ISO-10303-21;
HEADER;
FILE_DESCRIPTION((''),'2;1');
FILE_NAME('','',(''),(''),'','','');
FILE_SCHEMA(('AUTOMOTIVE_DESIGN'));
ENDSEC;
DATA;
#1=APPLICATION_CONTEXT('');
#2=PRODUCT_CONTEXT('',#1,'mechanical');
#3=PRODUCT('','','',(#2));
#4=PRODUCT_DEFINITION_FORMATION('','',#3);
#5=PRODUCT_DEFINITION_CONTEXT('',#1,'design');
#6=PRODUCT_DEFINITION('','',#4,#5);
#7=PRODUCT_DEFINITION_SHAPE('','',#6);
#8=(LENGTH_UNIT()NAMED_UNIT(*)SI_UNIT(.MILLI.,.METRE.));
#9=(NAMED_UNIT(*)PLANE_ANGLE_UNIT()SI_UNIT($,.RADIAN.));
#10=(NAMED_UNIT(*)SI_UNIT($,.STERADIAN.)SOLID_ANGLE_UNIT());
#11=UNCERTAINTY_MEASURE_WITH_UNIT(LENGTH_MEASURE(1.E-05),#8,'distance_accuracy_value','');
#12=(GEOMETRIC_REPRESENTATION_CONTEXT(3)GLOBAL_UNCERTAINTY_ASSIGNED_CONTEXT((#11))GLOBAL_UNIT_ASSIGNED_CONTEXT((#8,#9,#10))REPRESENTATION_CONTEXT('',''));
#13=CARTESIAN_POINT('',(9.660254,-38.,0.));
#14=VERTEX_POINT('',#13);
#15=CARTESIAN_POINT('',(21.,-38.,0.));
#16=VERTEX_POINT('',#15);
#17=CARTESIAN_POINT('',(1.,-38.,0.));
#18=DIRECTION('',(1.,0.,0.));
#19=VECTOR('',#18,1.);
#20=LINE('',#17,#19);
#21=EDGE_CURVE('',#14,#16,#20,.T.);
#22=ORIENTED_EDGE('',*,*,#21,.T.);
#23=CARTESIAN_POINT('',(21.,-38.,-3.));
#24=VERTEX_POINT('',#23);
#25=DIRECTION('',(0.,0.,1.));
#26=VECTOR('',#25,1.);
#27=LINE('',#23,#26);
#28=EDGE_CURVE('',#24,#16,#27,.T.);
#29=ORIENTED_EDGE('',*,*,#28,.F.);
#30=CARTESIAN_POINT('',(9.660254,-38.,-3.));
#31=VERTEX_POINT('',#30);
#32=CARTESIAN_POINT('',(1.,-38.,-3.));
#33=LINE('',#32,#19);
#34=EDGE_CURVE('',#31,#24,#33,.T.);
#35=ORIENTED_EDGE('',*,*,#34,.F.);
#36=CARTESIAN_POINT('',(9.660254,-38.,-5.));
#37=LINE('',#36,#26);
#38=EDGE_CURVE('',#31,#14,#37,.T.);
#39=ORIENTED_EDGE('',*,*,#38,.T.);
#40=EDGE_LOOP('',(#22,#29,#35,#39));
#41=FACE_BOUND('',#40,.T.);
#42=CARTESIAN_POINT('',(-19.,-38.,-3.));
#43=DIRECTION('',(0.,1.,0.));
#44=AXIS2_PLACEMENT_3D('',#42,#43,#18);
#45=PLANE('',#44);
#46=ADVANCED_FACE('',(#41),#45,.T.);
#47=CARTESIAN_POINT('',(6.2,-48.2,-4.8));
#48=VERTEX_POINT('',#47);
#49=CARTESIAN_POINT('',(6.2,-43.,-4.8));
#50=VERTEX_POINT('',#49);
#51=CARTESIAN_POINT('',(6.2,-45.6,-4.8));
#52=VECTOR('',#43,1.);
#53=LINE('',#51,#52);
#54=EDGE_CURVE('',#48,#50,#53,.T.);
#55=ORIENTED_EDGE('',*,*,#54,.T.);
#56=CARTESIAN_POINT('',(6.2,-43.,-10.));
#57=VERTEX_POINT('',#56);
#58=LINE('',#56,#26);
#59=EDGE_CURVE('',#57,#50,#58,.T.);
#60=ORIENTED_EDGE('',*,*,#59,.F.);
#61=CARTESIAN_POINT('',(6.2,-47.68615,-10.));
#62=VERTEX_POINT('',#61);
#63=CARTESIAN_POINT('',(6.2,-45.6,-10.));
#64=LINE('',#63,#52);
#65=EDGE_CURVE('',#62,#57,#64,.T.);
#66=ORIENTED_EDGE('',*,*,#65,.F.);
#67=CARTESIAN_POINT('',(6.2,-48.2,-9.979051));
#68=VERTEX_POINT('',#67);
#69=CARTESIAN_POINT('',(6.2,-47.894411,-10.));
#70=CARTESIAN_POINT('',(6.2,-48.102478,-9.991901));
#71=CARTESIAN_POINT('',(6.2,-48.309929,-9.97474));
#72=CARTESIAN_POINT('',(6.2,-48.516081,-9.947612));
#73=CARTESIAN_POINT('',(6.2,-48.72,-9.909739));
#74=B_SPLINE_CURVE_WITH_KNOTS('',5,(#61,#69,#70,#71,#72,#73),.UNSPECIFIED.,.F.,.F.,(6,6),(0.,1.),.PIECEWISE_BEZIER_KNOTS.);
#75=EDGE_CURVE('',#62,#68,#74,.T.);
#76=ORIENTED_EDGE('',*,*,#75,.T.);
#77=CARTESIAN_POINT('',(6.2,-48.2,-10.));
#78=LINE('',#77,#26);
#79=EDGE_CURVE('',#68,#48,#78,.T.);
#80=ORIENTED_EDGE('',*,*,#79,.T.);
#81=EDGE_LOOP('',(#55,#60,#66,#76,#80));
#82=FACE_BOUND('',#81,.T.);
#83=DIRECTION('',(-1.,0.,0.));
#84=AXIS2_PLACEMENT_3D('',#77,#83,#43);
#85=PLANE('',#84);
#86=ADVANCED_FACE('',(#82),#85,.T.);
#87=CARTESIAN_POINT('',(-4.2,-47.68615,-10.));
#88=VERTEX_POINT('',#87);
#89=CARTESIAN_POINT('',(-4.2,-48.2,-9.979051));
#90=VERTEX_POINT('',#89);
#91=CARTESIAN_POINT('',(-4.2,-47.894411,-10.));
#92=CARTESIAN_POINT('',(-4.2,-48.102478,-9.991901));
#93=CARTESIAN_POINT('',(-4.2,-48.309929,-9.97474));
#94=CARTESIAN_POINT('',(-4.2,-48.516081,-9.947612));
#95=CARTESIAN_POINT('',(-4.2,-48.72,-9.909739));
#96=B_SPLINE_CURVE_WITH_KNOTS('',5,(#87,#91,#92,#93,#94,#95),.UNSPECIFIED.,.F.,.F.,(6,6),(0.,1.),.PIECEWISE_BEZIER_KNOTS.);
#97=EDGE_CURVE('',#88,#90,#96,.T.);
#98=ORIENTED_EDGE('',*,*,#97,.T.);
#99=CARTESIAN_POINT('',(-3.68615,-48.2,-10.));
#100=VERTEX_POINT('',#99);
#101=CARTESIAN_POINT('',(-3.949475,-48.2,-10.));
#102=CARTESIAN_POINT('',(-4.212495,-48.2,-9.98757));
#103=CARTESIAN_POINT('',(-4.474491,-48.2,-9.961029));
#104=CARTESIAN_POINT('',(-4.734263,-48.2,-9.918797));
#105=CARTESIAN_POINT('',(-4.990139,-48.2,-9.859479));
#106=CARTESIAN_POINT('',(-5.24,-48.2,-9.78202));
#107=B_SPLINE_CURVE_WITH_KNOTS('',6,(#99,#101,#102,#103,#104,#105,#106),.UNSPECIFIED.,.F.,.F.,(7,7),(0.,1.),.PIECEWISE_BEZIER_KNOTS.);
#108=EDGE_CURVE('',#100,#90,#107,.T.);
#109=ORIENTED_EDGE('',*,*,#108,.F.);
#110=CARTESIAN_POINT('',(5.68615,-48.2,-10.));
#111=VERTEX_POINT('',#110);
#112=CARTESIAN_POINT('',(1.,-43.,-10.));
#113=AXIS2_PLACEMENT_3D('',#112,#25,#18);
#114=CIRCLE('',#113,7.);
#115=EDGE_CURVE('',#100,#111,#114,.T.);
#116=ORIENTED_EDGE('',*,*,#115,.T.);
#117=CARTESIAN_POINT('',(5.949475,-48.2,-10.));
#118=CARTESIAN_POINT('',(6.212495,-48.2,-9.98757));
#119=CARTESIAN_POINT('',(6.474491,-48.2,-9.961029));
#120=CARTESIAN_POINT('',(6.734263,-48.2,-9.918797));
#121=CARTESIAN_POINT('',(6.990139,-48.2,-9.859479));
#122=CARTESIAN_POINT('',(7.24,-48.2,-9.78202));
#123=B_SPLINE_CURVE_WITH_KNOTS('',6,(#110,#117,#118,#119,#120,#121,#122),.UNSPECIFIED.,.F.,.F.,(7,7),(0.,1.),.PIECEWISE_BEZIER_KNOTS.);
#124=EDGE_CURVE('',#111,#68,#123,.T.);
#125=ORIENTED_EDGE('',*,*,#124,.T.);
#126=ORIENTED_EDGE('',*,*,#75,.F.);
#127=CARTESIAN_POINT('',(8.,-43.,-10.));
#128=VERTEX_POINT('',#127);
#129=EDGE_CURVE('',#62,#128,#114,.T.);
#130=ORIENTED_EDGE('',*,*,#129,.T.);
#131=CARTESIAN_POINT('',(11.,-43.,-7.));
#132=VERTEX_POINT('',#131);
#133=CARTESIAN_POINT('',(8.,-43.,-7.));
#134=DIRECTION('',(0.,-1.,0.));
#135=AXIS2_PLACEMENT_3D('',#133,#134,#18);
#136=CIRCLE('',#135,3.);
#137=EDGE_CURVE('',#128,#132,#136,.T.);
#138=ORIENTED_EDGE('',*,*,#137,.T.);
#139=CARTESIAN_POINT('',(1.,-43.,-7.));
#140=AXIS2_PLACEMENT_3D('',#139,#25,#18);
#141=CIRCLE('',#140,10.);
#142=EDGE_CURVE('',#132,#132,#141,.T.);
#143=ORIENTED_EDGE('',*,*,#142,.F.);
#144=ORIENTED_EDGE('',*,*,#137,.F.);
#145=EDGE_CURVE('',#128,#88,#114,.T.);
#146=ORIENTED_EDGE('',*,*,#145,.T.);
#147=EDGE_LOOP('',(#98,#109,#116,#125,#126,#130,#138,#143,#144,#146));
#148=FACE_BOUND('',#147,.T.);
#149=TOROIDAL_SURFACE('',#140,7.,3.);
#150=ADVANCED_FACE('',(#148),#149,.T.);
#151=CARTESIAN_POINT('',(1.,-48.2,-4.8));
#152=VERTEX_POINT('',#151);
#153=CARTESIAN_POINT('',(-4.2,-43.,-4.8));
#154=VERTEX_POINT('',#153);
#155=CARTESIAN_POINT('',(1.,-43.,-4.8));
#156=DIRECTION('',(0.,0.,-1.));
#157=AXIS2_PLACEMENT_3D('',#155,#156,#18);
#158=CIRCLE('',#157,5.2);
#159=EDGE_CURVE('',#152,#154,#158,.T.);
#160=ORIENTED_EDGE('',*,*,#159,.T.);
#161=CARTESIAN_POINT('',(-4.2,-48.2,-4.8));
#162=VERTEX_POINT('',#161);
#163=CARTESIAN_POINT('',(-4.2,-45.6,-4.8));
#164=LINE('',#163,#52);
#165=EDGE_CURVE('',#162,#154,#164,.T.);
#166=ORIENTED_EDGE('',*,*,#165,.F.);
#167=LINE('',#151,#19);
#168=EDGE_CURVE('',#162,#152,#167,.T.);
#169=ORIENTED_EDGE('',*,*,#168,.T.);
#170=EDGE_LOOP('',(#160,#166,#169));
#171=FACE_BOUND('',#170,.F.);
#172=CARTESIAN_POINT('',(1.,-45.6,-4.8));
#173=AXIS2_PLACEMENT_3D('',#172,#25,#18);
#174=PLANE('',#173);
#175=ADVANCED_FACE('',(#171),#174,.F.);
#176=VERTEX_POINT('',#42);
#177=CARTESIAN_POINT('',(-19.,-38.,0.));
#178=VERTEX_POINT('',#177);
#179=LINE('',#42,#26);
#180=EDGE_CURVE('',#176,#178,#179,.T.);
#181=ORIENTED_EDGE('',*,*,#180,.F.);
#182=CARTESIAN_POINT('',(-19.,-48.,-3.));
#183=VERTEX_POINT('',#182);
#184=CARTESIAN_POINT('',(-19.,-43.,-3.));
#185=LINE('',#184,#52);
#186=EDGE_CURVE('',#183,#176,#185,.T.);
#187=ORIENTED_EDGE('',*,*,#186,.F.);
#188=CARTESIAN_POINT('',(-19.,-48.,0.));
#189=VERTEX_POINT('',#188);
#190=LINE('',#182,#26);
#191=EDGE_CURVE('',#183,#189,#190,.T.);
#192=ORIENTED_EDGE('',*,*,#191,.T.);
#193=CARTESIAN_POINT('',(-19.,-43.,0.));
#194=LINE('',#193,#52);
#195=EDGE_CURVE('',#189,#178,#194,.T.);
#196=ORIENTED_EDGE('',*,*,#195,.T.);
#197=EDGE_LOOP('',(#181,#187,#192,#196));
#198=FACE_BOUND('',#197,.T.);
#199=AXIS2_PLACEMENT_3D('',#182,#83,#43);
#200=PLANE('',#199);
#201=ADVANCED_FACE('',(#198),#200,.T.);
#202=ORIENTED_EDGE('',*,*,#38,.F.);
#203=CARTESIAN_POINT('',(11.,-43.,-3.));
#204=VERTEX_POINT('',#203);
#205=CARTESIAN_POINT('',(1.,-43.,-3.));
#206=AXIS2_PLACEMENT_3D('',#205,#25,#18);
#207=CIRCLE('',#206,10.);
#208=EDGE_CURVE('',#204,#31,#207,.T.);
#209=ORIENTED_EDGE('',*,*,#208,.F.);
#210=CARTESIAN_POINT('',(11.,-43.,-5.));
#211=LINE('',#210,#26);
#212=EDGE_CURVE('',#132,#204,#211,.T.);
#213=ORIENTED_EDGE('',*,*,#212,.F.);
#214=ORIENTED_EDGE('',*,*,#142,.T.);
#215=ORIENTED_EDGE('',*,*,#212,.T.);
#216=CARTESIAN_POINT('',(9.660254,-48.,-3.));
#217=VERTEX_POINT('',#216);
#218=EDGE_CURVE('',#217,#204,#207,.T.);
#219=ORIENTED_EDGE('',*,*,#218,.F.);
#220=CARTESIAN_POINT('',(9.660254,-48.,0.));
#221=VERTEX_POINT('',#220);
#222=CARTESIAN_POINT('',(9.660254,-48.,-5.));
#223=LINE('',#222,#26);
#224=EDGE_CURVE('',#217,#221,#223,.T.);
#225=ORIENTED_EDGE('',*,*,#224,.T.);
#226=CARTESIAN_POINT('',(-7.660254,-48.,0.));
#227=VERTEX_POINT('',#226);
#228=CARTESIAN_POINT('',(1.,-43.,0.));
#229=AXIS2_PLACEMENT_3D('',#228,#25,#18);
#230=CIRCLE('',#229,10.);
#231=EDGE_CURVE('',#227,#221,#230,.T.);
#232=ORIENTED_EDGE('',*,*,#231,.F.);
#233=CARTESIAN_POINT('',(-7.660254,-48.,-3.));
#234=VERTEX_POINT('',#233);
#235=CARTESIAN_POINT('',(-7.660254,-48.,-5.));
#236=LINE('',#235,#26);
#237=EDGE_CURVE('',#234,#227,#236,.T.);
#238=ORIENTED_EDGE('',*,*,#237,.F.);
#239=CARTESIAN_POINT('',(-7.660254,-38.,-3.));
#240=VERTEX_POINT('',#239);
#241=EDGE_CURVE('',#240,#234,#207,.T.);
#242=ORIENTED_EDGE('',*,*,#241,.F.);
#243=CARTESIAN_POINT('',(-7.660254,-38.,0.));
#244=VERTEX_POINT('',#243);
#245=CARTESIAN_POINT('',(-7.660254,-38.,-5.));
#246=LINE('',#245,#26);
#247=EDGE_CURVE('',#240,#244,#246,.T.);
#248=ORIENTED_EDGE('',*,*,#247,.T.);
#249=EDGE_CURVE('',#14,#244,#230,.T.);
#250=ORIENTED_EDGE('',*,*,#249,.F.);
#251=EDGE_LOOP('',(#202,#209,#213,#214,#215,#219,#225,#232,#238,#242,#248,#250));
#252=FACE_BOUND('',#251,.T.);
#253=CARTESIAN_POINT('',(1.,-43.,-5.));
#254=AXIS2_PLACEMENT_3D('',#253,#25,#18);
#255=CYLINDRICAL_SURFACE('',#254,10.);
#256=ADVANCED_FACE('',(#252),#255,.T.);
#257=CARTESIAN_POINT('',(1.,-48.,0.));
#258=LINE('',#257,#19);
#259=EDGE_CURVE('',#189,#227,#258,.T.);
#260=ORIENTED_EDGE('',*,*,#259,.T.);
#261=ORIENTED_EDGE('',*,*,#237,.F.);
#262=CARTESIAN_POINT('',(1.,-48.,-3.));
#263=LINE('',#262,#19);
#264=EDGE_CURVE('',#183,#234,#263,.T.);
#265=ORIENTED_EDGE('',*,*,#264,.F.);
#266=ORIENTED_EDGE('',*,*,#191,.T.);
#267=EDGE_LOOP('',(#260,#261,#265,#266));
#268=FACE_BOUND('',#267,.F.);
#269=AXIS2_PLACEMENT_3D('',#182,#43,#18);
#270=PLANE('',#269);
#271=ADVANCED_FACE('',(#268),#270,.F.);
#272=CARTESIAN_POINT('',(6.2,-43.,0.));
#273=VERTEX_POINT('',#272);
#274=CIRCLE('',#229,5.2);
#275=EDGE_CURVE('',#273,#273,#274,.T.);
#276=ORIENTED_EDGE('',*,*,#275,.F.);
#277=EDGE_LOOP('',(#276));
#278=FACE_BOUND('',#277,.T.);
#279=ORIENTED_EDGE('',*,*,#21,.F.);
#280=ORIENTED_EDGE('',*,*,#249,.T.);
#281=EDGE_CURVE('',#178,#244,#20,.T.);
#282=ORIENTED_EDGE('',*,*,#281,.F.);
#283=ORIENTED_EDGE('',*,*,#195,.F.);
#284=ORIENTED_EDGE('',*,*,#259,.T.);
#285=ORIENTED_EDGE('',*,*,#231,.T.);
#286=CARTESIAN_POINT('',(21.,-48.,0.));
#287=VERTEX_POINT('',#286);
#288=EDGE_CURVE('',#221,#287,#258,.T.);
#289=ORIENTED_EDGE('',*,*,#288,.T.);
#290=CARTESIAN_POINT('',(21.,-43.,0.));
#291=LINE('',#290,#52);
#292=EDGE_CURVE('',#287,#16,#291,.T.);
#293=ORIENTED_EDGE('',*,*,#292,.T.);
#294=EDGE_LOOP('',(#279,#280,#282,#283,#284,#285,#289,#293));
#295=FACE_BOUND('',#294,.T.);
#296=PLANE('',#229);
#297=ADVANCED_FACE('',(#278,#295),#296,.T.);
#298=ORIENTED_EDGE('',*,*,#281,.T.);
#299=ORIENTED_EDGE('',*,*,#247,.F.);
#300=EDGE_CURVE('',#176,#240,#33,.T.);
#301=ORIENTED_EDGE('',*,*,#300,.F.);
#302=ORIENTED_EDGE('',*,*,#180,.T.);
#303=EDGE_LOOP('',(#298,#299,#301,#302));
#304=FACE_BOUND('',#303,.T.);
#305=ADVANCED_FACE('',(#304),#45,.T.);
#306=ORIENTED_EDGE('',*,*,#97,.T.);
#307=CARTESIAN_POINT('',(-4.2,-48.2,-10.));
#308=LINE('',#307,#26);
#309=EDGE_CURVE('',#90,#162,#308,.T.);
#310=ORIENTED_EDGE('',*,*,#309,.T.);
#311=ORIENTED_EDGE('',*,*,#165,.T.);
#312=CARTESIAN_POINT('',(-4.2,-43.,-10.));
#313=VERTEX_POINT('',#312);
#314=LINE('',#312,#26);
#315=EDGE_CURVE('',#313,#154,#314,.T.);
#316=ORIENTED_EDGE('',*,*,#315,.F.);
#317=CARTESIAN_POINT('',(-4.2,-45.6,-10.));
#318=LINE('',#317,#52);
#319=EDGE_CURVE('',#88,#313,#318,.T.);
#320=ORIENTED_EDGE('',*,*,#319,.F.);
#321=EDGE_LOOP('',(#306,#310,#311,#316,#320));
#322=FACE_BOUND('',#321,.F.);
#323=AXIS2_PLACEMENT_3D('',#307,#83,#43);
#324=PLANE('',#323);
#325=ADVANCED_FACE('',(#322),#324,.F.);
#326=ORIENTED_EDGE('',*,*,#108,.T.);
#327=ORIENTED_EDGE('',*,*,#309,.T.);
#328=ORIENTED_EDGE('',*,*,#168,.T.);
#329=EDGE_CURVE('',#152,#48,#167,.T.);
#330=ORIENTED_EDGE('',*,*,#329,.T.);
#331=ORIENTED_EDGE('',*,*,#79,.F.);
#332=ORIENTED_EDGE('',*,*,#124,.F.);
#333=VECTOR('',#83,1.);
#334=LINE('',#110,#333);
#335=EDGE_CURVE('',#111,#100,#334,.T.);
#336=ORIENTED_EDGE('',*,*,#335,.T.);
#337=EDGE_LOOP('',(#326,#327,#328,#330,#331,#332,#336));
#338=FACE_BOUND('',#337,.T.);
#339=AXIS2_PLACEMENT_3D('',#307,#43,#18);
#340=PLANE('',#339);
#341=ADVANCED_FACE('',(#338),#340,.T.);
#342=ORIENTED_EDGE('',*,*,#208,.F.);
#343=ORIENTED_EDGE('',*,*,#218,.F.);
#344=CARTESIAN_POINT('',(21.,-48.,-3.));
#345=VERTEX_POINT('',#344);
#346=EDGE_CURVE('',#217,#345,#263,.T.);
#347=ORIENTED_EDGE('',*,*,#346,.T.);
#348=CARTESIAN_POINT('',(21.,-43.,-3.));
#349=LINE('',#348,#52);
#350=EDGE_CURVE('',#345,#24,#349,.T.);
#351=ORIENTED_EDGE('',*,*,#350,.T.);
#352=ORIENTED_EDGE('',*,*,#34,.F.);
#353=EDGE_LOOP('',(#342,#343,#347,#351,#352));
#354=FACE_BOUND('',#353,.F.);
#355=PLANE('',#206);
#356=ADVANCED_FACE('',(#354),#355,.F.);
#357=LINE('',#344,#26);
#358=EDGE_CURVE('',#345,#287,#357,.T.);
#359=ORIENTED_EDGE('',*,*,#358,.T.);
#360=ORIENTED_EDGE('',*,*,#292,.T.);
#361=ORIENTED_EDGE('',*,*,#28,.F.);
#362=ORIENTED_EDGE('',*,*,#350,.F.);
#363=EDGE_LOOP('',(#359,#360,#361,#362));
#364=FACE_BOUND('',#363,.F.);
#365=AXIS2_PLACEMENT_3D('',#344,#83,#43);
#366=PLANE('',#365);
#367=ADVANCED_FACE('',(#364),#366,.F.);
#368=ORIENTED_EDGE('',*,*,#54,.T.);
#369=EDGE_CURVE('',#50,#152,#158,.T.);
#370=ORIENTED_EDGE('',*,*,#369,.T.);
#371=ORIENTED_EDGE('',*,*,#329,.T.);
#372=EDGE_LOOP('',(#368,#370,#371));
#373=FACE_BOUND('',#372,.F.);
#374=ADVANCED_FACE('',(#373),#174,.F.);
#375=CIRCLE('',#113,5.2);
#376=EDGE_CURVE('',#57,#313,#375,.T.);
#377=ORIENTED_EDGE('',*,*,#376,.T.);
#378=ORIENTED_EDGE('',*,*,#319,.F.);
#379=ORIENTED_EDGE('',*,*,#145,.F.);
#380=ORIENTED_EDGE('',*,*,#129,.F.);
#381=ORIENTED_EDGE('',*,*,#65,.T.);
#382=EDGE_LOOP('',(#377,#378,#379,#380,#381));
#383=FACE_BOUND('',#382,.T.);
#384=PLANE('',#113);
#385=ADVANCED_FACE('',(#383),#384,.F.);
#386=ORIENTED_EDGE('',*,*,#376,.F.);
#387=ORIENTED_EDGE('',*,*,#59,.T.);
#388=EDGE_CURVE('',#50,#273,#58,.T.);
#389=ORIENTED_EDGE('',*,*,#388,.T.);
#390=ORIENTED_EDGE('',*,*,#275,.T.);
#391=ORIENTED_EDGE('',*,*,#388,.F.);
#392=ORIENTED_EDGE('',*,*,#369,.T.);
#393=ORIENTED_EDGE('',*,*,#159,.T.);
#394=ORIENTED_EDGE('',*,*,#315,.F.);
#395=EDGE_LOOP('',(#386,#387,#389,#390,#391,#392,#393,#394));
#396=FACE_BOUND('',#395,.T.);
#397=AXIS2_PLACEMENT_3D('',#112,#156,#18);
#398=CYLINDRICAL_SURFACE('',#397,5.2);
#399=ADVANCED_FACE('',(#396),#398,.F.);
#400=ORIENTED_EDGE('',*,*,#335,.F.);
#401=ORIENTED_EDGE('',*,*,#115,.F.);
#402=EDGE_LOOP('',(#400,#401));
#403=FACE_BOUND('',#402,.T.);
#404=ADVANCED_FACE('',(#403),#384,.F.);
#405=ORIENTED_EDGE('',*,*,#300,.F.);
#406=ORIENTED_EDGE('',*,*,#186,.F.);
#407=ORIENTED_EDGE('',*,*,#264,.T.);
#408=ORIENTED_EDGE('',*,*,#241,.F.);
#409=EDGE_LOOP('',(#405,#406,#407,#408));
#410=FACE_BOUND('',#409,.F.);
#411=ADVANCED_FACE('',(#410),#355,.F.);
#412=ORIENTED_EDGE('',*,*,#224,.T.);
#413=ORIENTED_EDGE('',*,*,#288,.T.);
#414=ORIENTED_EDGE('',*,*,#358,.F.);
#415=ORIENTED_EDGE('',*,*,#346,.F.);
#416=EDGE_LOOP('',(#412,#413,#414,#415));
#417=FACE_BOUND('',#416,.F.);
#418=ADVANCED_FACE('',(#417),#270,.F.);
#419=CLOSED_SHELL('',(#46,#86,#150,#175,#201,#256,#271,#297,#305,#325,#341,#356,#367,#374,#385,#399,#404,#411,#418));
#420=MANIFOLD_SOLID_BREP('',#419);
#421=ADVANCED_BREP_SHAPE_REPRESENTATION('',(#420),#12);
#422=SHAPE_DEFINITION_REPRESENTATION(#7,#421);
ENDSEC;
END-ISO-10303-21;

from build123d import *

# Parameters (mm, degrees)
CONE001_W         = 10
CONE001_H         = 10
FILLET002_R       = 3
BOX007_W          = 10.4
BOX007_H          = 5.2
BOX007_DEPTH      = 5.2
BOX008_W          = 40
BOX008_H          = 10
BOX008_DEPTH      = 3
CYLINDER011_R     = 5.2
CYLINDER011_DEPTH = 10


with BuildPart() as part:
    # Cone001 → Cone001 (revolve)
    with BuildSketch(Plane.XZ):
        with Locations((5, 5)):
            Rectangle(CONE001_W, CONE001_H)
    revolve(axis=Axis((0, 0, 0), (0, 0, 1)))

    # Fillet002
    fillet002_edges = [part.edges().sort_by_distance(p)[0] for p in [
        (-10, 0, 0),
    ]]
    fillet(fillet002_edges, radius=FILLET002_R)

    # Box007 → Box007 (cut)
    with BuildSketch(Plane(origin=(-5.2, -5.2, 0), x_dir=(1, 0, 0), z_dir=(0, 0, 1))):
        with Locations((5.2, 2.6)):
            Rectangle(BOX007_W, BOX007_H)
    extrude(amount=BOX007_DEPTH, mode=Mode.SUBTRACT)

    # Box008 → Box008 (join)
    with BuildSketch(Plane(origin=(-20, -5, 7), x_dir=(1, 0, 0), z_dir=(0, 0, 1))):
        with Locations((20, 5)):
            Rectangle(BOX008_W, BOX008_H)
    extrude(amount=BOX008_DEPTH)

    # Cylinder011 → Cylinder011 (cut)
    with BuildSketch(Plane.XY):
        Circle(CYLINDER011_R)
    extrude(amount=CYLINDER011_DEPTH, mode=Mode.SUBTRACT)


with BuildPart() as part_1:
    # Body006 placement: moved
    add(part.part.moved(Location((1, -43, -10))))


solid = part_1.part
